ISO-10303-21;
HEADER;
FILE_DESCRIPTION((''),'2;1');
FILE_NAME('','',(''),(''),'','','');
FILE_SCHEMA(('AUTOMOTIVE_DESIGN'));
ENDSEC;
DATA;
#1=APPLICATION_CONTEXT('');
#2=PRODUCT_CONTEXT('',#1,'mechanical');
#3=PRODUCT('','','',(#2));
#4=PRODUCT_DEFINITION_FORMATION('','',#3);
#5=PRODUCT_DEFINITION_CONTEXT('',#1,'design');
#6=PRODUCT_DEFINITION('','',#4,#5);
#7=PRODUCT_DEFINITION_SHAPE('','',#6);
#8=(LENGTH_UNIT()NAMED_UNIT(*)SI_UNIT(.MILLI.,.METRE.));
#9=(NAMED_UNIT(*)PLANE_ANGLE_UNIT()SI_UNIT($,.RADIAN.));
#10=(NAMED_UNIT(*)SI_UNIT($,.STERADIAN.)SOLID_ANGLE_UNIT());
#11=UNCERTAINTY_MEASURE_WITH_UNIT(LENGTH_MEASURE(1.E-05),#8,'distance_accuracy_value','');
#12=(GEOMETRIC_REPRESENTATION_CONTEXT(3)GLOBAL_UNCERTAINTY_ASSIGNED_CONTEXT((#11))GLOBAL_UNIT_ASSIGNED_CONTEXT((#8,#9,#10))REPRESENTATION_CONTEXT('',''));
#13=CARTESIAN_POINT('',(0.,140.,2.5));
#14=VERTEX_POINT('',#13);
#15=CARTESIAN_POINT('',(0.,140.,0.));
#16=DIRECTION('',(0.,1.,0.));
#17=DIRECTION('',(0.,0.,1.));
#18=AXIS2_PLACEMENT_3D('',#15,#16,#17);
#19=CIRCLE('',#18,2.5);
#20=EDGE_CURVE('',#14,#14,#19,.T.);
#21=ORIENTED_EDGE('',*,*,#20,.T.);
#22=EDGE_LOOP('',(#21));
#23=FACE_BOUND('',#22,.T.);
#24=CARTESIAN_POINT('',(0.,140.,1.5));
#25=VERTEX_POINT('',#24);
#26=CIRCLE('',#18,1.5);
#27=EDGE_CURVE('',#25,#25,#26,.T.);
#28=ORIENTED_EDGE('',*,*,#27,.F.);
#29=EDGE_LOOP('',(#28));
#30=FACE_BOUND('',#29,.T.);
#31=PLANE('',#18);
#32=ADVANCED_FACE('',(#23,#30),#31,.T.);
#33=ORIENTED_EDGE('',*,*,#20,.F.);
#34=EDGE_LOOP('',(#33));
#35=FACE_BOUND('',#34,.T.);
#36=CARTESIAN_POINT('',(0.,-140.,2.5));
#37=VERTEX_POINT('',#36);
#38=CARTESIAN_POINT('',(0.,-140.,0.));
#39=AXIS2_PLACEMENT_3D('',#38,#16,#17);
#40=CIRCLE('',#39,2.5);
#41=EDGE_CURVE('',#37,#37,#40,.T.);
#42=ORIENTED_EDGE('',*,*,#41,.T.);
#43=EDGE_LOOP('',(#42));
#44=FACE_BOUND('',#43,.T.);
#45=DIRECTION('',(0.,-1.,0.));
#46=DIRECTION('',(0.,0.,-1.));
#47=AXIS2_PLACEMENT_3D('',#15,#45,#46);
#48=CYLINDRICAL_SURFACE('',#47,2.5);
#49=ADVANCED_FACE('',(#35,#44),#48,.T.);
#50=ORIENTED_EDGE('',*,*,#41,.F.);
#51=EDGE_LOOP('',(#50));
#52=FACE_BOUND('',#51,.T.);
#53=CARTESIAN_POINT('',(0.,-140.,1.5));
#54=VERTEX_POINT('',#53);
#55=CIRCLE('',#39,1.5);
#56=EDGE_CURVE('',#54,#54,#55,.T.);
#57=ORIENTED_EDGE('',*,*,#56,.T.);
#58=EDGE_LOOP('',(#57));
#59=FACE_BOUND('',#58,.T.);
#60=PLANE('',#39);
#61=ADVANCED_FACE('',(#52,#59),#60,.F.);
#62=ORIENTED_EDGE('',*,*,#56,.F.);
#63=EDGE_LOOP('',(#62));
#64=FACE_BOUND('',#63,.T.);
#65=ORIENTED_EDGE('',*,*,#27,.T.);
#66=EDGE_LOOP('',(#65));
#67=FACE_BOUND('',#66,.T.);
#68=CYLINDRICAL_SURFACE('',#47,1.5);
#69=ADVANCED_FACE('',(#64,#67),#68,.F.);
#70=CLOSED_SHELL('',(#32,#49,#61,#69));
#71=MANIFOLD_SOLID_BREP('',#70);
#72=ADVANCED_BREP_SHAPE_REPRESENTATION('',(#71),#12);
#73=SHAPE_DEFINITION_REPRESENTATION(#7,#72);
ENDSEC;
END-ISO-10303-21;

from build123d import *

# Parameters (mm, degrees)
SKETCH2_R           = 2.5
SKETCH2_R_2         = 1.5
BOSS_EXTRUDE3_DEPTH = 140


with BuildPart() as part:
    # Sketch2 → Boss-Extrude3 (new body, symmetric)
    with BuildSketch(Plane(origin=(0, 0, 0), x_dir=(1, 0, 0), z_dir=(0, 1, 0))):
        Circle(SKETCH2_R)
        Circle(SKETCH2_R_2, mode=Mode.SUBTRACT)
    extrude(amount=BOSS_EXTRUDE3_DEPTH, both=True)


solid = part.part
